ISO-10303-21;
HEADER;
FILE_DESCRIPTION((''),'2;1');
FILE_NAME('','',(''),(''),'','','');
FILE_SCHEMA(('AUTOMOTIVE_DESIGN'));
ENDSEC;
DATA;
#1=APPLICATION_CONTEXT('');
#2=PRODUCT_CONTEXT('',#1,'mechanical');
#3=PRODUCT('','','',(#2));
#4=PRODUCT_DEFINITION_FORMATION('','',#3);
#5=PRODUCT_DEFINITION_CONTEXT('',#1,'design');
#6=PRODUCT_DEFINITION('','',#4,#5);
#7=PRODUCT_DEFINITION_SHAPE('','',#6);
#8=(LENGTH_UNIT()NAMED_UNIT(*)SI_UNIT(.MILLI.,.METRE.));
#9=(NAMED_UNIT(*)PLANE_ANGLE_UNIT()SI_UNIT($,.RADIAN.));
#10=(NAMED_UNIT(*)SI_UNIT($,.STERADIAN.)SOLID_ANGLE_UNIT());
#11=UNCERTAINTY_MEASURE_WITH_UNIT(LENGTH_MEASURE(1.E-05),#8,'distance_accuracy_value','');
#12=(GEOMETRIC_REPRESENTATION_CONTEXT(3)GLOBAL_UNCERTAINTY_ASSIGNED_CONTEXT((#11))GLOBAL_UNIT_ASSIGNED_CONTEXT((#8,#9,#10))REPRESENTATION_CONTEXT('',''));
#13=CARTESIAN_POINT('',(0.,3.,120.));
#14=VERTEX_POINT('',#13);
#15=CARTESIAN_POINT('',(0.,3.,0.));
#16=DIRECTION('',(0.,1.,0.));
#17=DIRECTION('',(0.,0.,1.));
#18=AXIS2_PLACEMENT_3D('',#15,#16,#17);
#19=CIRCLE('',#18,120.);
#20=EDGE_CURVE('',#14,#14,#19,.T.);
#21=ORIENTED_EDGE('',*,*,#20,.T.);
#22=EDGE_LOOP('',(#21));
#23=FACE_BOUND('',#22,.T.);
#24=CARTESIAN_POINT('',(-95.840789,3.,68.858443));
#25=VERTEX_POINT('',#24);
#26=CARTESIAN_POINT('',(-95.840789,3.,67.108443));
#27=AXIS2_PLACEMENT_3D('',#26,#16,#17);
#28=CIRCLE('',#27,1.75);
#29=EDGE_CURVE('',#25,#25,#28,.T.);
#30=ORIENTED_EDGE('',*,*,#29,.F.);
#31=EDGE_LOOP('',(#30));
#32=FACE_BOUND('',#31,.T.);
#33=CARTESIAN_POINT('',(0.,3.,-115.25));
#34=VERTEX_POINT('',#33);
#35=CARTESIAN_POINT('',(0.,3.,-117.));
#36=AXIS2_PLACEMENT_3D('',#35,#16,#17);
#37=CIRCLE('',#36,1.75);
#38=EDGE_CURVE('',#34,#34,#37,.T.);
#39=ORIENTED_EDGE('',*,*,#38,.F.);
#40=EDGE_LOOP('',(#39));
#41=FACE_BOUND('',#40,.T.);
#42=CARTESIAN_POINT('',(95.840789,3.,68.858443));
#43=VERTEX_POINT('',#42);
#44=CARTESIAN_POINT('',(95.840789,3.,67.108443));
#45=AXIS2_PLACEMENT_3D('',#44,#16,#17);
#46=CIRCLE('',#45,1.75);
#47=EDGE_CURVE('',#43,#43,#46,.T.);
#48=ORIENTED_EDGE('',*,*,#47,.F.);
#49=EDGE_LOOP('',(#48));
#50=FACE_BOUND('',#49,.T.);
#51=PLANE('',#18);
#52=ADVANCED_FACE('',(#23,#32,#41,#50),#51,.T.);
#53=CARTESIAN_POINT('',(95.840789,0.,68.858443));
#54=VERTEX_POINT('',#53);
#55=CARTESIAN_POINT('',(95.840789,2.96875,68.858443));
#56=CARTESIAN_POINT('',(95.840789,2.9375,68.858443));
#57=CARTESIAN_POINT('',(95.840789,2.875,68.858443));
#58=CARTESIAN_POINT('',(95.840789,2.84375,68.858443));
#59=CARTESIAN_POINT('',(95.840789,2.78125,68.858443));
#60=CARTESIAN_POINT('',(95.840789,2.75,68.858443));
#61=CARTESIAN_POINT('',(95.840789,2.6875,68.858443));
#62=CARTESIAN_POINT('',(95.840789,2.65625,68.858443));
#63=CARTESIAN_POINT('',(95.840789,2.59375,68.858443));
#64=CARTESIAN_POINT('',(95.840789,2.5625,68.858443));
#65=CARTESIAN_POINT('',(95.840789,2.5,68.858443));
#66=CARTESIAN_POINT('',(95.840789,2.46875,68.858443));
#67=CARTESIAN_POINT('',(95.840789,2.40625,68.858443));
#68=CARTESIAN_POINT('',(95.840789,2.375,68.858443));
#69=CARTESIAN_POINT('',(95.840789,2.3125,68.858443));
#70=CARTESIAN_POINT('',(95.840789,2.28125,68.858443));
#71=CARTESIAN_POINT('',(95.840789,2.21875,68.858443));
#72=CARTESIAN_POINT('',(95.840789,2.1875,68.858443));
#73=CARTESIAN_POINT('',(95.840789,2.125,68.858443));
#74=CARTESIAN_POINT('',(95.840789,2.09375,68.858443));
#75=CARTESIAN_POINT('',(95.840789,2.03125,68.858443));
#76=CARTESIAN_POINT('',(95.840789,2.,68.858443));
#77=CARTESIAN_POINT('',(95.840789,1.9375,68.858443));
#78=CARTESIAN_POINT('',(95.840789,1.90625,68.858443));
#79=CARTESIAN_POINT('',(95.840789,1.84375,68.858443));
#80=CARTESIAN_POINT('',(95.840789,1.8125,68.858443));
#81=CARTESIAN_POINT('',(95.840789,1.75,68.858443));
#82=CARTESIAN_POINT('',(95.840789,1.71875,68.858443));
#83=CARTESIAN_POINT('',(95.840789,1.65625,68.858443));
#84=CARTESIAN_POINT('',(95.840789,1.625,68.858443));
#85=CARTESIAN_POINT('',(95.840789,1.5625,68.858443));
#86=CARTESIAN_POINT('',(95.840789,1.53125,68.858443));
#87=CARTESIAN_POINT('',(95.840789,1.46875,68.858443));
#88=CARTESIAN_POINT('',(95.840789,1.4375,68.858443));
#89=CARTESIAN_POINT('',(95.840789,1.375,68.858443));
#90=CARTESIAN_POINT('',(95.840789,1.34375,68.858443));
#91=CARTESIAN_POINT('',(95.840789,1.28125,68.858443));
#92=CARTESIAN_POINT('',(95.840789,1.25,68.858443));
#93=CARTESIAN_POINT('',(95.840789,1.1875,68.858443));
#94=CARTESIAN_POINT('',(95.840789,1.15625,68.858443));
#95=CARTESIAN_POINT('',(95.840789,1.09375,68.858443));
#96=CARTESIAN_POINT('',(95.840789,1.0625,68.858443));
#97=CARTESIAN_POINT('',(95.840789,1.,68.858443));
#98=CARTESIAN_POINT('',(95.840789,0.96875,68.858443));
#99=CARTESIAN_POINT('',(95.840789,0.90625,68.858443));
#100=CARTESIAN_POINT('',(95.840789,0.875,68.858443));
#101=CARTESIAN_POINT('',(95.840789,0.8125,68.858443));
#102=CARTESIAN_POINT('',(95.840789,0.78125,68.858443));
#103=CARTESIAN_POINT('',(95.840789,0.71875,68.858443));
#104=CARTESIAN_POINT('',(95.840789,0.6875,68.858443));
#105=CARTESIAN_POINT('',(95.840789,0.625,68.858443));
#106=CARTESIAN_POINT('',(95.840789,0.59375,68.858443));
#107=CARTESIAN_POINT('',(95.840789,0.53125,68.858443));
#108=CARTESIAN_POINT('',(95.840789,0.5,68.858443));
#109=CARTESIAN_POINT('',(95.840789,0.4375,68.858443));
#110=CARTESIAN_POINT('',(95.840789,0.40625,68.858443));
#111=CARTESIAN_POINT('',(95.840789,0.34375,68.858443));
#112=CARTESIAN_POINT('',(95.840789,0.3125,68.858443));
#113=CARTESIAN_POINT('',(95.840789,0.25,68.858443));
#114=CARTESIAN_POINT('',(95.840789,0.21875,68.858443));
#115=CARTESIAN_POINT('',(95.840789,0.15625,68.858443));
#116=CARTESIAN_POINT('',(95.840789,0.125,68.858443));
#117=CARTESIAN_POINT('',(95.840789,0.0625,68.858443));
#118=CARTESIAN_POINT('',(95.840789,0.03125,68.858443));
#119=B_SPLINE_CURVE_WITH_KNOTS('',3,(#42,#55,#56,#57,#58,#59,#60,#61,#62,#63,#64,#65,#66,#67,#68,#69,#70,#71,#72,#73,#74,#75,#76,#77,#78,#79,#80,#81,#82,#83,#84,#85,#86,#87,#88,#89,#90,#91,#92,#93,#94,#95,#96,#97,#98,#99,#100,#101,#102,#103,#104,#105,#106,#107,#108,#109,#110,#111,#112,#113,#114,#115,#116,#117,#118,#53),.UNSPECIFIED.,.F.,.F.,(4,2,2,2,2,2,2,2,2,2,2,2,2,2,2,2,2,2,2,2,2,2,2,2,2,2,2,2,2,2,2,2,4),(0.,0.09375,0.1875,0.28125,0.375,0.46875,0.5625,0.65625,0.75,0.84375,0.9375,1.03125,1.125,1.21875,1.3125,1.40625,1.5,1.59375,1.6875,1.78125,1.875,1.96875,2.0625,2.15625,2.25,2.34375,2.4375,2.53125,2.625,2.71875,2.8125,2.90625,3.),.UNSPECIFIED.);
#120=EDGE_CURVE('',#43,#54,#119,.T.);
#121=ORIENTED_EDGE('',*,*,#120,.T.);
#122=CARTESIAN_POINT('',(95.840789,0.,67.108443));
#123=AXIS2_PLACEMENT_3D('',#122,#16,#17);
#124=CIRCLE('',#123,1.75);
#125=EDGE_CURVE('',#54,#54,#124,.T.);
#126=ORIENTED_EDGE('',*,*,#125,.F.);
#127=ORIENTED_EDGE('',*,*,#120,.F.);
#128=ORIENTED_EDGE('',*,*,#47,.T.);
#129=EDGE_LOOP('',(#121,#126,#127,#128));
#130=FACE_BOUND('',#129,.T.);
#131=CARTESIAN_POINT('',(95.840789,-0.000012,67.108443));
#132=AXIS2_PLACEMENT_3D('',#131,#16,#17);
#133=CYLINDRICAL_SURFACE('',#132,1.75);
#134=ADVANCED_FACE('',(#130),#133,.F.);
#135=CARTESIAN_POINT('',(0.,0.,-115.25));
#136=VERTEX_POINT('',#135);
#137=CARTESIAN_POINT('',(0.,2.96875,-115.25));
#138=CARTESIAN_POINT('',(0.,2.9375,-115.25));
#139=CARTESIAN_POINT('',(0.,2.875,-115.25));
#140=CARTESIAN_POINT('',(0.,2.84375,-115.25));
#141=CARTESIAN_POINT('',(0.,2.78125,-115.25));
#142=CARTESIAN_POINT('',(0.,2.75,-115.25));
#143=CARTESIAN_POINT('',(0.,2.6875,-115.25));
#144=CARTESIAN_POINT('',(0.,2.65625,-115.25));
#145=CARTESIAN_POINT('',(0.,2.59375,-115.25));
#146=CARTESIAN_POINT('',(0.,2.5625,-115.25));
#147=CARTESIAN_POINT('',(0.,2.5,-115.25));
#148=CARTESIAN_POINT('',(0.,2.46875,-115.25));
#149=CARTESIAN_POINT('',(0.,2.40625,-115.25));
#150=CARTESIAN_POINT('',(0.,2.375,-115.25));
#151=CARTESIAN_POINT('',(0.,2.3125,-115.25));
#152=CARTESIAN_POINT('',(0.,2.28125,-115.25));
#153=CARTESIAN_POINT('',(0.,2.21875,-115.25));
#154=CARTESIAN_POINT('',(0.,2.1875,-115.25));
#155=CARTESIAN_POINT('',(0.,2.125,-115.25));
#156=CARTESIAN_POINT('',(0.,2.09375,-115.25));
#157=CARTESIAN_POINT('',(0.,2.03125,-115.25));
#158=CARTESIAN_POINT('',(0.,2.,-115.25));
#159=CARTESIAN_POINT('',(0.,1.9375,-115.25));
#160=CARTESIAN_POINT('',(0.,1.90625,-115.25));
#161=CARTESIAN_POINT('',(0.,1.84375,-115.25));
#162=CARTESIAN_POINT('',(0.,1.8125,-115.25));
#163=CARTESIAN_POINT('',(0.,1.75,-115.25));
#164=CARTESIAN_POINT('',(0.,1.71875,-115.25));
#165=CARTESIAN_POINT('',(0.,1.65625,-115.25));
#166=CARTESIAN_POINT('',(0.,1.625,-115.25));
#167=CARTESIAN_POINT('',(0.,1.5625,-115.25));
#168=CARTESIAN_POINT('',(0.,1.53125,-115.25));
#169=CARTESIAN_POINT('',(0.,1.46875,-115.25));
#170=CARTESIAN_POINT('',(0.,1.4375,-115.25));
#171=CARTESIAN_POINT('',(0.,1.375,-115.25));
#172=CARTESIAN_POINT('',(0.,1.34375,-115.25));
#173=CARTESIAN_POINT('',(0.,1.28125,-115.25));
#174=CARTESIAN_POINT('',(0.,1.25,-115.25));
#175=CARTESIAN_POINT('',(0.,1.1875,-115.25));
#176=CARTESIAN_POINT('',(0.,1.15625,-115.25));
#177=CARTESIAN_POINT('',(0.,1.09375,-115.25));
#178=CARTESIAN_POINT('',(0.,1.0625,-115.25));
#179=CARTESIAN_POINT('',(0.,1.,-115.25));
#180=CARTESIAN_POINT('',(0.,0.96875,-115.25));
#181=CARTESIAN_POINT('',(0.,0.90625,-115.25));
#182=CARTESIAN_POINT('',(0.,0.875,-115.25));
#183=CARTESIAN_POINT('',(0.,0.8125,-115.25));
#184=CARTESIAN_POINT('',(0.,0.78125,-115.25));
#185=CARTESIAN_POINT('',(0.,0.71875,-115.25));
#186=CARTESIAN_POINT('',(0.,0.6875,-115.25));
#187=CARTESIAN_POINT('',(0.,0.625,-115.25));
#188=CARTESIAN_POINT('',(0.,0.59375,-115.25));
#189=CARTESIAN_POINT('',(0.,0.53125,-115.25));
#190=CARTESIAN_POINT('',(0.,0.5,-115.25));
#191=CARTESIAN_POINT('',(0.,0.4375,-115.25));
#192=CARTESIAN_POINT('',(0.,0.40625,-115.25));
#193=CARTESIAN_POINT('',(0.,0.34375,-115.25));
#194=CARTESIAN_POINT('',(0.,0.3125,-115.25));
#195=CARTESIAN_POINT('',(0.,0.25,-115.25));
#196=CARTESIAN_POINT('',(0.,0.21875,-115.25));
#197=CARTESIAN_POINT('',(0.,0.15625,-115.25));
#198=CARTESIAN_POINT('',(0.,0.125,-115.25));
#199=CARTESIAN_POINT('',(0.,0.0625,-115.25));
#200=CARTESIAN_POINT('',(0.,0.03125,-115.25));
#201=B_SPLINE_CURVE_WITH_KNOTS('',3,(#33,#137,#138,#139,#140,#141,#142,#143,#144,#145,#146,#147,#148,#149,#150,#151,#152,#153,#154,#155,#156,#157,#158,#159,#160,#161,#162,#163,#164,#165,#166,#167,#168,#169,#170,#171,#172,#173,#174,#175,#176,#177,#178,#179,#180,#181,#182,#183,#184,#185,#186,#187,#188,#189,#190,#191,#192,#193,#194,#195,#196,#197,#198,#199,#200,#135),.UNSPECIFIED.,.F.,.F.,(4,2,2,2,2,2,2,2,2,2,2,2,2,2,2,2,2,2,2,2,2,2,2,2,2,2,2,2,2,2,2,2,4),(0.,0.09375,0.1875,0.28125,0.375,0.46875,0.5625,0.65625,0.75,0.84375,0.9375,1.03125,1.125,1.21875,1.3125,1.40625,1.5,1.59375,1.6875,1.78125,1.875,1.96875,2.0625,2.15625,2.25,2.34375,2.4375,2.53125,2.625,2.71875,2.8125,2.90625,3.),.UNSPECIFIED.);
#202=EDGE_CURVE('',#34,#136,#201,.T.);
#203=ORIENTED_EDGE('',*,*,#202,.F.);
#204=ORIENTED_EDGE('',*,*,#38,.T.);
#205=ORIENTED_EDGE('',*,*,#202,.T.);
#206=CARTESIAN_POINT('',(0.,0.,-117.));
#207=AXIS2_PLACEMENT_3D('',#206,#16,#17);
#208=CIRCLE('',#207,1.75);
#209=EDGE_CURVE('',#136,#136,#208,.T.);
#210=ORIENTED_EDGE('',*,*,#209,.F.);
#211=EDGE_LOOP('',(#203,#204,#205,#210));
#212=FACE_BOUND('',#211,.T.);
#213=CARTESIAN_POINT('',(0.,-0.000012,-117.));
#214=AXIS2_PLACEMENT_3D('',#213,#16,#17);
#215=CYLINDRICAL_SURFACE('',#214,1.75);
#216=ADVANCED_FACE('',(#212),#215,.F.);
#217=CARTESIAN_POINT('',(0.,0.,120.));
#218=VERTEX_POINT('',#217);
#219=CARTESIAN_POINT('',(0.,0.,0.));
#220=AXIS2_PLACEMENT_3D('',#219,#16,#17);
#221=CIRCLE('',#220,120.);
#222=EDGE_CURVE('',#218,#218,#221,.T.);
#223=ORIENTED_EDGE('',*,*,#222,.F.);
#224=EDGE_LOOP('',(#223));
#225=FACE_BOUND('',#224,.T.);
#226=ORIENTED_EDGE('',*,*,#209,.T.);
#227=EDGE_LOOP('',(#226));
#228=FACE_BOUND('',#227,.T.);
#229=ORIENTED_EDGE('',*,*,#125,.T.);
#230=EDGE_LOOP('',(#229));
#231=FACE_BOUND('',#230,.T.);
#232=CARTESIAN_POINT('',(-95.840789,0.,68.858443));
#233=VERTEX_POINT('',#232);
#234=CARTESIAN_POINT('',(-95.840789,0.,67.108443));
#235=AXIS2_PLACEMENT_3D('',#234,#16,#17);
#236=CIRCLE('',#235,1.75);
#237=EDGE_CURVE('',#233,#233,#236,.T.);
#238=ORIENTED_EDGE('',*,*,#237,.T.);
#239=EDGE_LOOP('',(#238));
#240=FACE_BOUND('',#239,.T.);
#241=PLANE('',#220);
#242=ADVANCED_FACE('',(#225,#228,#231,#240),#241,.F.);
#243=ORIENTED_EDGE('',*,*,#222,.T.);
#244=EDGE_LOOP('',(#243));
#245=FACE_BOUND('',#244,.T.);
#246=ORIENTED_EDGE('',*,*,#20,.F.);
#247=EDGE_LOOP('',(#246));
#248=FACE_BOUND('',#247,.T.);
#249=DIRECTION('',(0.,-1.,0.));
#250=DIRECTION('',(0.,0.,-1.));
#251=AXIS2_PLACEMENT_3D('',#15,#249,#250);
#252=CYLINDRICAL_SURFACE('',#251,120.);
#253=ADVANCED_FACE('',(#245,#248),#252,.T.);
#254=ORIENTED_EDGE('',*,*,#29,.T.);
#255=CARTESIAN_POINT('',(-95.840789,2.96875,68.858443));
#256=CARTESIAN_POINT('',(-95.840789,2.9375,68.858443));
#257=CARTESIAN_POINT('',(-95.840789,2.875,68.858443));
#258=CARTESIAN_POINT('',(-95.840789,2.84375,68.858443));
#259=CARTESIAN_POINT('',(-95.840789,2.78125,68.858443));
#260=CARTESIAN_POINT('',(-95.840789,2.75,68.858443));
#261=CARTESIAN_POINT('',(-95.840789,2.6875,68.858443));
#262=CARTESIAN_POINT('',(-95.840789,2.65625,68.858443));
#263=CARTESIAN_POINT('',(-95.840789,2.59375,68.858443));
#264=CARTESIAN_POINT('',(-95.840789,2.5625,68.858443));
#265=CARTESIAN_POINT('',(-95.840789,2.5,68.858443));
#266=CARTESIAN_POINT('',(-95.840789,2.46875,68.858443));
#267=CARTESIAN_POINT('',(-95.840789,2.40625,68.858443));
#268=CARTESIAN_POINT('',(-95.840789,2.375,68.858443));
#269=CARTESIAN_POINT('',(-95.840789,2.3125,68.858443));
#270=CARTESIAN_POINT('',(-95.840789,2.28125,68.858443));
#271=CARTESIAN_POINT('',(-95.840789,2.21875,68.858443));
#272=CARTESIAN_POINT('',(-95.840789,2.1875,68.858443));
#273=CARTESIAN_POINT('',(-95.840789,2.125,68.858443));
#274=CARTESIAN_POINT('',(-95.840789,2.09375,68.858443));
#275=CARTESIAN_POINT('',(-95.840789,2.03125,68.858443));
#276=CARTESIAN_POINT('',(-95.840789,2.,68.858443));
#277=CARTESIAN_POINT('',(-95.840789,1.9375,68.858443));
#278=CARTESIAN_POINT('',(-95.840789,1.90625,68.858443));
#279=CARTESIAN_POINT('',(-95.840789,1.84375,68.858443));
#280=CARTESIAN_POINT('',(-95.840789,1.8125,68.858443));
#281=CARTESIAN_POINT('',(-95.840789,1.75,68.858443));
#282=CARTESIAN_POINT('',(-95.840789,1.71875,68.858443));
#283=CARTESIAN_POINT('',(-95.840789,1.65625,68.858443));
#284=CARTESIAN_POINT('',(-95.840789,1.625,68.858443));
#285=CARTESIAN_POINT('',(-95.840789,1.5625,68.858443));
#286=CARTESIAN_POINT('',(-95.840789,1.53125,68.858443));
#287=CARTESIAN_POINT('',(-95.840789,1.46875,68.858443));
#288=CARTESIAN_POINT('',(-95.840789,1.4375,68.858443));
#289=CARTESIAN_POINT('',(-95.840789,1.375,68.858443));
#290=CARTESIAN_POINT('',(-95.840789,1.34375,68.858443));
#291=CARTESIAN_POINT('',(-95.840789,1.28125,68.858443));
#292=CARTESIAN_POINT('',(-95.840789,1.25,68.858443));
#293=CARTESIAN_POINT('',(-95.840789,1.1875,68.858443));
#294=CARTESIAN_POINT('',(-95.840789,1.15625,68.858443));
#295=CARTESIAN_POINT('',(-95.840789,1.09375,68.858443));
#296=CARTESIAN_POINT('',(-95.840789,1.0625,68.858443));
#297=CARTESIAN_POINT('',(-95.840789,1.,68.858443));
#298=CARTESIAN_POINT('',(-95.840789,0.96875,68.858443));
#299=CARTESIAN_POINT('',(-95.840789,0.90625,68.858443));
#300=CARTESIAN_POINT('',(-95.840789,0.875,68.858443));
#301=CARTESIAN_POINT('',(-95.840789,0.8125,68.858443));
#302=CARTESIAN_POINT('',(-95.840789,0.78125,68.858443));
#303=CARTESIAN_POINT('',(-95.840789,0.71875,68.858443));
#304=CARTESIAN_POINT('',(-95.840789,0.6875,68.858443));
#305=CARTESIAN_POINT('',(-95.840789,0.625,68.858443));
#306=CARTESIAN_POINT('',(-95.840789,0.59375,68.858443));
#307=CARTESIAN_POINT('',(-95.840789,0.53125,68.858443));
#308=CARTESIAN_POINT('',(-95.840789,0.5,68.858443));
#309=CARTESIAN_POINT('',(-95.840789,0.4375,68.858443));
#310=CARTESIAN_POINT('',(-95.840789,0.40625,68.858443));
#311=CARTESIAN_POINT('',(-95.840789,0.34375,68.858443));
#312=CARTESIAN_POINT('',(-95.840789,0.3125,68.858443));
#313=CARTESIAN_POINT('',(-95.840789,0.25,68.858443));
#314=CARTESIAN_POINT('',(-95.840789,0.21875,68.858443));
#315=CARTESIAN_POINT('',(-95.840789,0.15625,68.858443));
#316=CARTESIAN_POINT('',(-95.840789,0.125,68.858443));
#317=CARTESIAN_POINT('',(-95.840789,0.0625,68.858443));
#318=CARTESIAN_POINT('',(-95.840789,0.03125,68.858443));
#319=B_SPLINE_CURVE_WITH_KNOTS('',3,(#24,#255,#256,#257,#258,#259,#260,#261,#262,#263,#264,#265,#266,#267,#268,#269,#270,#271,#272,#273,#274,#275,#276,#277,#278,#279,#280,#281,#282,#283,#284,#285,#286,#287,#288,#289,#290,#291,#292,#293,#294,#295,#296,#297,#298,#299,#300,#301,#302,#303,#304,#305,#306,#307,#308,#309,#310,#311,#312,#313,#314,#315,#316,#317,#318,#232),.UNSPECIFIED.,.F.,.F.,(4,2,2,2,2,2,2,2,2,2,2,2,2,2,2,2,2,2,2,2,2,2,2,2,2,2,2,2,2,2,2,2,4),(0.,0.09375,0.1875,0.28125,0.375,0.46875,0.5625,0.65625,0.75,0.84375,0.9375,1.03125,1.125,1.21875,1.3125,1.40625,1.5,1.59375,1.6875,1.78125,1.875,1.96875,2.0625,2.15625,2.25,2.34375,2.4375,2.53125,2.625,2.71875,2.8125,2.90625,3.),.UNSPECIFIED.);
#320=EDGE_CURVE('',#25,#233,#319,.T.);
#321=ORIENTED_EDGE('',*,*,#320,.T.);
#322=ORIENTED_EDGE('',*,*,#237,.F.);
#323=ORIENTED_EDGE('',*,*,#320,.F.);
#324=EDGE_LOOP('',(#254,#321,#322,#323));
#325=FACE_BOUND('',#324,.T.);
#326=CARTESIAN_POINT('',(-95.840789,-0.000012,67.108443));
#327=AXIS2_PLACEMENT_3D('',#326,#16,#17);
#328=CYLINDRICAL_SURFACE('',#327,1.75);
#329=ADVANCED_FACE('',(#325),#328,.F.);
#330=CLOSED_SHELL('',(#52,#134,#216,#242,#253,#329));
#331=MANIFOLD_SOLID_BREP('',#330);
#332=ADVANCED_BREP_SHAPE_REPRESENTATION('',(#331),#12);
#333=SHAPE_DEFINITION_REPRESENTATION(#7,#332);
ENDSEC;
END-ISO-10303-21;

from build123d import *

# Parameters (mm, degrees)
SKETCH1_R               = 120
BOSS_EXTRUDE1_DEPTH     = 3
CUT_EXTRUDE2_DEPTH      = 170.732141918
CUT_EXTRUDE2_DEPTH_BACK = 170.732141918
SKETCH2_R               = 1.75


with BuildPart() as part:
    # Sketch1 → Boss-Extrude1 (new body)
    with BuildSketch(Plane(origin=(0, 0, 0), x_dir=(1, 0, 0), z_dir=(0, 1, 0))):
        with Locations(Location((0, 0, 0), (0, 0, 270))):
            Circle(SKETCH1_R)
    extrude(amount=BOSS_EXTRUDE1_DEPTH)

    # Sketch2 → Cut-Extrude2 (cut, two sides: drawn at the far end of the back side and taken through both)
    with BuildSketch(Plane(origin=(0, 0, 0), x_dir=(1, 0, 0), z_dir=(0, 1, 0)).offset(-CUT_EXTRUDE2_DEPTH_BACK)):
        with Locations(Location((0, 117, 0), (0, 0, 270))):
            Circle(SKETCH2_R)
        with Locations(Location((-95.840789182, -67.108443053, 0), (0, 0, 270))):
            Circle(SKETCH2_R)
        with Locations(Location((95.840789182, -67.108443053, 0), (0, 0, 270))):
            Circle(SKETCH2_R)
    extrude(amount=CUT_EXTRUDE2_DEPTH + CUT_EXTRUDE2_DEPTH_BACK, mode=Mode.SUBTRACT)


solid = part.part
